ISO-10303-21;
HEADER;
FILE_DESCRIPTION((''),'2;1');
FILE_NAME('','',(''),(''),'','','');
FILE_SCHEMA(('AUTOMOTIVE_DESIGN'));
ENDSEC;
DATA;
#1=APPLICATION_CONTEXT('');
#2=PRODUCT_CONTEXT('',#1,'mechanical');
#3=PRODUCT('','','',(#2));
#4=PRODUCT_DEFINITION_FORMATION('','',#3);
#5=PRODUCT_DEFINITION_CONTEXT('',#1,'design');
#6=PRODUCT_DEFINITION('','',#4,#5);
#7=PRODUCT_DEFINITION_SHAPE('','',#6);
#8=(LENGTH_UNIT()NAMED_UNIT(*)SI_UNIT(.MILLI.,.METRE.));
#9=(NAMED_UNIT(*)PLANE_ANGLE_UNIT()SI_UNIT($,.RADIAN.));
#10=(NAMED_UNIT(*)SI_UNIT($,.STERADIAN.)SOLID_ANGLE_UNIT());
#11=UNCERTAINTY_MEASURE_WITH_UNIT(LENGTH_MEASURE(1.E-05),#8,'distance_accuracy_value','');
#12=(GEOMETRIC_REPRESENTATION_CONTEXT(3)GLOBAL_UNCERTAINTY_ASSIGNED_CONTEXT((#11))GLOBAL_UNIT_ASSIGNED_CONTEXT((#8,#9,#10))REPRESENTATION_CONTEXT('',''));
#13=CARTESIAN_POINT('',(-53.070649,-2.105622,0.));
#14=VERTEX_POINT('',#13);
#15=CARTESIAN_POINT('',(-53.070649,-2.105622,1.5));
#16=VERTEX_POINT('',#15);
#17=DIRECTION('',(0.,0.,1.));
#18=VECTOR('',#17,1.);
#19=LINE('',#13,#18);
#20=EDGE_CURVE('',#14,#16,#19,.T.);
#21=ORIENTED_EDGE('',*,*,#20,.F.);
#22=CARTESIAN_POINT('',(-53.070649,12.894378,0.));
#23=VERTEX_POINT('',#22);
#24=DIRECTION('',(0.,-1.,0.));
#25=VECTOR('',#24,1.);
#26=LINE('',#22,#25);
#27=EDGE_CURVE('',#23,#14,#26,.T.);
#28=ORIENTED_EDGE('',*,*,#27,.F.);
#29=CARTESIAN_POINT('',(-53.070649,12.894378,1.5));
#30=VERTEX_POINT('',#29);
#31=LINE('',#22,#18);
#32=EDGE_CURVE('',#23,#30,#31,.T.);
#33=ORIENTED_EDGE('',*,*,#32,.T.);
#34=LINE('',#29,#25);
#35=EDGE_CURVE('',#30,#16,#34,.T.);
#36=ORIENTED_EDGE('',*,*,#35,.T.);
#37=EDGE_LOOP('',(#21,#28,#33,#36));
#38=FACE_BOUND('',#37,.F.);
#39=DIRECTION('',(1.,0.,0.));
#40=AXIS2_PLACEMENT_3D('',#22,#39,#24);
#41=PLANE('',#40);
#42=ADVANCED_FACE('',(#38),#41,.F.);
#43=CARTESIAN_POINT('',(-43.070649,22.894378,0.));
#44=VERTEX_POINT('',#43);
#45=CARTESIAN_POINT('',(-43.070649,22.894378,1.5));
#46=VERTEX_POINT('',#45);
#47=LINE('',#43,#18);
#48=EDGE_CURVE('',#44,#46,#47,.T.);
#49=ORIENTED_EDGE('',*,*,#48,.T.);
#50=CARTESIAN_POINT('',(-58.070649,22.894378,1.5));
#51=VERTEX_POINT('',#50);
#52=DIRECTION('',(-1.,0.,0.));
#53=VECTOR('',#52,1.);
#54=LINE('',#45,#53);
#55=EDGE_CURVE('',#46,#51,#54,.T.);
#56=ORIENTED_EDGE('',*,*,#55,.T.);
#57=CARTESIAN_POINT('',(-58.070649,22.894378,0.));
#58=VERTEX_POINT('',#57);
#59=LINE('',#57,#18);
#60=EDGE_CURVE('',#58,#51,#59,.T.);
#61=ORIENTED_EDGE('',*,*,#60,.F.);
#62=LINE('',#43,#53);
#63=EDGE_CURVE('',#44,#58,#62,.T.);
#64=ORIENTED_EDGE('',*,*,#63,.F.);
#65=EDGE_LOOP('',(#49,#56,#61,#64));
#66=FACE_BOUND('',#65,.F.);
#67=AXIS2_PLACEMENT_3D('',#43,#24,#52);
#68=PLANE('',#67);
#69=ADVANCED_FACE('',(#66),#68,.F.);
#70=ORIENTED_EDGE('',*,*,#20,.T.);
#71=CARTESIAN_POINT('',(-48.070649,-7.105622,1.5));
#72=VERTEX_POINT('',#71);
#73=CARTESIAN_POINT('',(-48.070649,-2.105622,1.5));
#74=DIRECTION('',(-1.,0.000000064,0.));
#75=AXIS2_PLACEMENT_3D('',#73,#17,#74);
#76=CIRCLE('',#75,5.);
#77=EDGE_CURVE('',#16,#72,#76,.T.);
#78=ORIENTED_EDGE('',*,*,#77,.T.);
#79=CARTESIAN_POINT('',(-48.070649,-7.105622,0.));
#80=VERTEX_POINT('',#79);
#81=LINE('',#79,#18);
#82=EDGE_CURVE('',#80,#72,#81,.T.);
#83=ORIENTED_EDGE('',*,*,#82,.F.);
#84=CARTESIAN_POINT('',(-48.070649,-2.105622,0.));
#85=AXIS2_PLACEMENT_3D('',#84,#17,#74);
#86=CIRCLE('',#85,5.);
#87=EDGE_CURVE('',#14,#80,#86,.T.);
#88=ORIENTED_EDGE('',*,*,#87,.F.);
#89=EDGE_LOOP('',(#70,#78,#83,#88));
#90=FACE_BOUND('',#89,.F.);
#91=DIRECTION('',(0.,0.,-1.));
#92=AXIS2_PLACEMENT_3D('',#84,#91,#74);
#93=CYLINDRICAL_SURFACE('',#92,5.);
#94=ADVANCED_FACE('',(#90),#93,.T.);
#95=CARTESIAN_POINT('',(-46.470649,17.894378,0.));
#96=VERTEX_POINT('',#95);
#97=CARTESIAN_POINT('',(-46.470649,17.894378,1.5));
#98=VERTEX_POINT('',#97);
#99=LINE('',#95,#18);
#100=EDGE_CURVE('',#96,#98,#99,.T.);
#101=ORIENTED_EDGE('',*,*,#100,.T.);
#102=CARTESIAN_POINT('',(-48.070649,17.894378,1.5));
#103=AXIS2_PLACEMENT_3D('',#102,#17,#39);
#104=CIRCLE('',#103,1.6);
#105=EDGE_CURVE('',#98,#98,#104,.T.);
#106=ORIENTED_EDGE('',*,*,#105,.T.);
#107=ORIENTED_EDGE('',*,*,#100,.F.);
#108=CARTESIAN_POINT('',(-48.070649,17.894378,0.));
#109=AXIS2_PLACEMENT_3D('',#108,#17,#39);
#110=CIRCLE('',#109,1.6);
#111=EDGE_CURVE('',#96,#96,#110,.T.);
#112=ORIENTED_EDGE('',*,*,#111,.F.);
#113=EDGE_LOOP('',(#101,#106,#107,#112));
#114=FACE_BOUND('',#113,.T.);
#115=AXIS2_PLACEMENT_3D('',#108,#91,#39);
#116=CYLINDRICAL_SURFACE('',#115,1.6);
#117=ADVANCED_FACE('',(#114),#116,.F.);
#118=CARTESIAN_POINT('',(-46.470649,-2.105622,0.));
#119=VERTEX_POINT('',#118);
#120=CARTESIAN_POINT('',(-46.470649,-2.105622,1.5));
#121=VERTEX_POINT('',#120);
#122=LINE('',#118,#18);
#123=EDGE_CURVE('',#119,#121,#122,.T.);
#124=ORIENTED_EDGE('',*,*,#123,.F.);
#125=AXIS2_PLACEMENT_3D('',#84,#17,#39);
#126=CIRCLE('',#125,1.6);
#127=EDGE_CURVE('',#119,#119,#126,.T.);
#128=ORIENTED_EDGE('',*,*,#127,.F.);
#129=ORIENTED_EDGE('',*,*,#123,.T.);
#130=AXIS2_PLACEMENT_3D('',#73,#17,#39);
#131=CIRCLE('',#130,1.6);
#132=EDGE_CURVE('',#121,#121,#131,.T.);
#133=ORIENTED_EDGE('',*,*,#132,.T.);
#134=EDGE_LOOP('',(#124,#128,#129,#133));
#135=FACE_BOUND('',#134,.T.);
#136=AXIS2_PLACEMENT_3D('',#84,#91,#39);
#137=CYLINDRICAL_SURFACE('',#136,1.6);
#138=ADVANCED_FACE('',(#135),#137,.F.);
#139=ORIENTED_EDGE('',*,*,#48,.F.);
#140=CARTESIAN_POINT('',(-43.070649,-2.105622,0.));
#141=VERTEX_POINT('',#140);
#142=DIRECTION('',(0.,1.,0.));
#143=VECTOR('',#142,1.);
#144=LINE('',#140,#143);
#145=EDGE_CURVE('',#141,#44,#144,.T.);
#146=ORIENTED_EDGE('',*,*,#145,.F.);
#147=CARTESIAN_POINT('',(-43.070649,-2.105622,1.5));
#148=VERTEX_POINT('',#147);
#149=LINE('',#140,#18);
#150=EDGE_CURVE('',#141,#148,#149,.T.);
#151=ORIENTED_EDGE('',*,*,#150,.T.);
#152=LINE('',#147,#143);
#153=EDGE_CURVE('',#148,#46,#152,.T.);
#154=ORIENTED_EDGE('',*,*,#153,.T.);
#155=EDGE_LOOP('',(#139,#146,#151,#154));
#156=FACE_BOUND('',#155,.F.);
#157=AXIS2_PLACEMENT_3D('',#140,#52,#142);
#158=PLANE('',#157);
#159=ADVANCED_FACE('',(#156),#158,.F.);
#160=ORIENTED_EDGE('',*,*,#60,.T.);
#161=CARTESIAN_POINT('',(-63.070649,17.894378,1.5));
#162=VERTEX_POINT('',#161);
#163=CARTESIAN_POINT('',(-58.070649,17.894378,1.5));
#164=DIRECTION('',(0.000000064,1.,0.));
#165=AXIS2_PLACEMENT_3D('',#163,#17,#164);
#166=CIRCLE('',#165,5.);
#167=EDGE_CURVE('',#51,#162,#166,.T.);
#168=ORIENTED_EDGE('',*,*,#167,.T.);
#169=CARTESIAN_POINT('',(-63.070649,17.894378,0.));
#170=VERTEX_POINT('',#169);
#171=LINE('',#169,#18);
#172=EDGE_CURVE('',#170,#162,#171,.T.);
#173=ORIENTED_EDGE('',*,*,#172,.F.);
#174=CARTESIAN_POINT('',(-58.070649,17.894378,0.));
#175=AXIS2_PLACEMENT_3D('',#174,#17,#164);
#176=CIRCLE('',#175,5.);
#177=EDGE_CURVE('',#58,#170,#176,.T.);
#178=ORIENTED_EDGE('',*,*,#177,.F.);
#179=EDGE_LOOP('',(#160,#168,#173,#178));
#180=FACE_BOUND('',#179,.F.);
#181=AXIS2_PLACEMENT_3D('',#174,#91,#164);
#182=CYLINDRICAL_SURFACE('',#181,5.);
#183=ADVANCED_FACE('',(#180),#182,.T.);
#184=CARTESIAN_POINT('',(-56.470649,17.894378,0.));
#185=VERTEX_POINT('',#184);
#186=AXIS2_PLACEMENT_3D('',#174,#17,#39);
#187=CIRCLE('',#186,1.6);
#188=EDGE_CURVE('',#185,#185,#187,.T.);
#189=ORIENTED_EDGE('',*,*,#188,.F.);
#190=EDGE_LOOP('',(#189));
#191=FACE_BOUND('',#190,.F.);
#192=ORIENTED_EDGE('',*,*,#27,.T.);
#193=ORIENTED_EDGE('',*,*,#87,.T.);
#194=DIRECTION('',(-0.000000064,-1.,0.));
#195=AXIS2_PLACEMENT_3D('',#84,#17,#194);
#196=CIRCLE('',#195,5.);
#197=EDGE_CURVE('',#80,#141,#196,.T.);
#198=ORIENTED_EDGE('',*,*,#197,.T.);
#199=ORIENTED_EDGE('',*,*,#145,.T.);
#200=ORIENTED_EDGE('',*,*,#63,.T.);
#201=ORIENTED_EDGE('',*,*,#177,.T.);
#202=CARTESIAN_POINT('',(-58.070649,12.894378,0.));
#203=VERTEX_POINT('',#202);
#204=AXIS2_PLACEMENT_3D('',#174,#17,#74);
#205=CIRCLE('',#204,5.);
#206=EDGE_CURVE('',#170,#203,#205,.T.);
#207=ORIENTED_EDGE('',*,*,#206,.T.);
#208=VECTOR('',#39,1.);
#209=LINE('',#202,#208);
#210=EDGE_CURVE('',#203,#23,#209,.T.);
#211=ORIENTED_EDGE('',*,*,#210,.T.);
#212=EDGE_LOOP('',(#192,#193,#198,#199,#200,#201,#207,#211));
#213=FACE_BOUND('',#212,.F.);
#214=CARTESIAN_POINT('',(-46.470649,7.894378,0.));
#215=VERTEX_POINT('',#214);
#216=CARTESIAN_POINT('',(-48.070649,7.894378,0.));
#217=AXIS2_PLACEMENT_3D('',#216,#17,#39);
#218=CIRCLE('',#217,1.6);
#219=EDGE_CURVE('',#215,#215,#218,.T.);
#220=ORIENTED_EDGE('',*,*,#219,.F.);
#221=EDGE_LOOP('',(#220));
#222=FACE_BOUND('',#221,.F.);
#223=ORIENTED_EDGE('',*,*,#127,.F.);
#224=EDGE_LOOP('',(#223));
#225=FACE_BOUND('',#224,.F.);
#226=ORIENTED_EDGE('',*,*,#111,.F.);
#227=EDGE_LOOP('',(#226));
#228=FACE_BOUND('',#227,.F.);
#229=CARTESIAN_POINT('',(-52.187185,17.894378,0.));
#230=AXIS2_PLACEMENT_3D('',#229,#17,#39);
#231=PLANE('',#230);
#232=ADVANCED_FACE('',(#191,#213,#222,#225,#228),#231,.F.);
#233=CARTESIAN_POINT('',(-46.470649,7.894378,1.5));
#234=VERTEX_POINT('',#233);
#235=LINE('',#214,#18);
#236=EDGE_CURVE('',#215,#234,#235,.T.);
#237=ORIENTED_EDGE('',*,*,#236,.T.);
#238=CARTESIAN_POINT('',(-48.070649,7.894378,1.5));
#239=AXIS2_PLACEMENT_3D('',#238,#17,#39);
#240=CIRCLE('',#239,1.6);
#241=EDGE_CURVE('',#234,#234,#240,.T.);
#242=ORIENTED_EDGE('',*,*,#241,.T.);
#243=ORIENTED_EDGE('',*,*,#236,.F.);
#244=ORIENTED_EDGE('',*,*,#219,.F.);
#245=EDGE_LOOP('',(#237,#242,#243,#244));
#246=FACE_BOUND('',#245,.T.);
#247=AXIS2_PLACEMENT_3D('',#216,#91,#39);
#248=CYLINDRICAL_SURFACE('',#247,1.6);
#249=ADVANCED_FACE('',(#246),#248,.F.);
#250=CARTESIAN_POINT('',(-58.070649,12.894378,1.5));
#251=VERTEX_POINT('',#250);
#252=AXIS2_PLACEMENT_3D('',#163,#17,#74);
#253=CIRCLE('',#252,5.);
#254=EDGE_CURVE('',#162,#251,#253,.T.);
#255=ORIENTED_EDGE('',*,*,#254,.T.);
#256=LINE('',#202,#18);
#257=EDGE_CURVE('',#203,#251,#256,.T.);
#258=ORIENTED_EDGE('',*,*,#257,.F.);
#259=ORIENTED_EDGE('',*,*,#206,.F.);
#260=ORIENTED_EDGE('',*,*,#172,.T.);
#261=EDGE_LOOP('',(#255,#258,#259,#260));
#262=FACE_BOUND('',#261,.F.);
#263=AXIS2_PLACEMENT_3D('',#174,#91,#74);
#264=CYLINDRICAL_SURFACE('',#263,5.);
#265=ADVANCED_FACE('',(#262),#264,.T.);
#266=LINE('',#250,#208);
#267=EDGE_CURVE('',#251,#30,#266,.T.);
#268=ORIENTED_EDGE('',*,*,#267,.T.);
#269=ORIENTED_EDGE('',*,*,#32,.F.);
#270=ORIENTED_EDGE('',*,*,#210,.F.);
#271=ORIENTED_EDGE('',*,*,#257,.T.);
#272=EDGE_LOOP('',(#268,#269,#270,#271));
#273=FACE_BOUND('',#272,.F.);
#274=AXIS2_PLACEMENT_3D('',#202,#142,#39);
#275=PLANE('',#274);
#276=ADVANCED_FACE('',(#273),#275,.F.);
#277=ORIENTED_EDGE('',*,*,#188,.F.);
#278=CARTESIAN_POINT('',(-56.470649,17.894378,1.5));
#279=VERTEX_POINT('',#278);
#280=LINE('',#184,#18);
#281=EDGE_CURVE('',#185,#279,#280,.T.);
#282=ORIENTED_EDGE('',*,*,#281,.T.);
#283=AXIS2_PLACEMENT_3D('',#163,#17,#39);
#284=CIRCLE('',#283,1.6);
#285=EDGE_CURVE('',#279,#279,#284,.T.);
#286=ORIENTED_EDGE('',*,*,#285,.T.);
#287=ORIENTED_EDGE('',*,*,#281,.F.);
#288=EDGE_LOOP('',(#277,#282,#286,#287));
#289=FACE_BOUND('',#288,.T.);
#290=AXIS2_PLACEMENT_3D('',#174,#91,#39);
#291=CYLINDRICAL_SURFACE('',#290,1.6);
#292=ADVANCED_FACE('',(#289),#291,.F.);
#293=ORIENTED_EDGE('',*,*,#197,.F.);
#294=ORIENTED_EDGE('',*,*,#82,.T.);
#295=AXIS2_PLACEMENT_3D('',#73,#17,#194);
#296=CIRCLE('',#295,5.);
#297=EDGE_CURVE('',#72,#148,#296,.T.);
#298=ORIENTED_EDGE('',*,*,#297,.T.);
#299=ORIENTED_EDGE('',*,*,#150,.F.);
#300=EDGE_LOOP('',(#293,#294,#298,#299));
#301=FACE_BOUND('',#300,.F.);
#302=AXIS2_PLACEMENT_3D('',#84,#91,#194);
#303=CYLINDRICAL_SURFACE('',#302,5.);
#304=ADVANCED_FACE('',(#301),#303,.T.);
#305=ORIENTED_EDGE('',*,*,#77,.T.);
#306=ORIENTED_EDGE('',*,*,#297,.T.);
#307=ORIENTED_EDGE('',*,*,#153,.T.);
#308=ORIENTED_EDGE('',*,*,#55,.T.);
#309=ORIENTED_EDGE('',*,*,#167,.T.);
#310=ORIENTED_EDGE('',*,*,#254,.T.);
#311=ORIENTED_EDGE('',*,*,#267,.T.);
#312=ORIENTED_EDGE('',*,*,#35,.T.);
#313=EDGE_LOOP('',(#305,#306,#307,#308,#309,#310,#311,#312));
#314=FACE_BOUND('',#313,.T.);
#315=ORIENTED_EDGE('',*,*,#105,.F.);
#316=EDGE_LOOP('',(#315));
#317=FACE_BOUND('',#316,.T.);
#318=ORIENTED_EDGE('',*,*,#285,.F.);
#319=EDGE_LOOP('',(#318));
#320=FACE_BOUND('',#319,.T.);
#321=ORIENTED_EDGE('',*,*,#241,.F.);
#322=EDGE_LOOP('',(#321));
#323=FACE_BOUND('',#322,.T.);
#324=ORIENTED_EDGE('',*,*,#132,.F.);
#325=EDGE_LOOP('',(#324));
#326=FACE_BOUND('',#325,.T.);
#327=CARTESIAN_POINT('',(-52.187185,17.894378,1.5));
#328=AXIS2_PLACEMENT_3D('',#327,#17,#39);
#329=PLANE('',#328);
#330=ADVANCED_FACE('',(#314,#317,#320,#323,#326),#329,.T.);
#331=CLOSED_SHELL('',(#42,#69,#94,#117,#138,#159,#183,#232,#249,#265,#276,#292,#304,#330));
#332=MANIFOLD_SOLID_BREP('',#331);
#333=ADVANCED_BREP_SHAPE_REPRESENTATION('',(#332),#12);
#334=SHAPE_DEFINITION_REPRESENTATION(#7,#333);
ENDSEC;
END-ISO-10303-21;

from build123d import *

# Parameters (mm, degrees)
F0_R     = 1.6
F1_DEPTH = 1.5


with BuildPart() as f1:
    # F0 (on Top) → F1 (new body)
    with BuildSketch(Plane.XY):
        with BuildLine():
            Line((-43.070649, 22.894378), (-58.070649, 22.894378))
            ThreePointArc((-58.070649, 22.894378), (-61.606183, 21.429912), (-63.070649, 17.894378))
            ThreePointArc((-63.070649, 17.894378), (-61.606183, 14.358844), (-58.070649, 12.894378))
            Line((-58.070649, 12.894378), (-53.070649, 12.894378))
            Line((-53.070649, 12.894378), (-43.070649, 12.894378))
            Line((-43.070649, 12.894378), (-43.070649, 22.894378))
        make_face()
        with Locations((-58.070649, 17.894378)):
            Circle(F0_R, mode=Mode.SUBTRACT)
        with Locations((-48.070649, 17.894378)):
            Circle(F0_R, mode=Mode.SUBTRACT)
        with BuildLine():
            Line((-43.070649, -2.105622), (-43.070649, 12.894378))
            Line((-43.070649, 12.894378), (-53.070649, 12.894378))
            Line((-53.070649, 12.894378), (-53.070649, -2.105622))
            ThreePointArc((-53.070649, -2.105622), (-51.606183, -5.641156), (-48.070649, -7.105622))
            ThreePointArc((-48.070649, -7.105622), (-44.535115, -5.641156), (-43.070649, -2.105622))
        make_face()
        with Locations((-48.070649, -2.105622)):
            Circle(F0_R, mode=Mode.SUBTRACT)
        with Locations((-48.070649, 7.894378)):
            Circle(F0_R, mode=Mode.SUBTRACT)
    extrude(amount=F1_DEPTH)


solid = f1.part
